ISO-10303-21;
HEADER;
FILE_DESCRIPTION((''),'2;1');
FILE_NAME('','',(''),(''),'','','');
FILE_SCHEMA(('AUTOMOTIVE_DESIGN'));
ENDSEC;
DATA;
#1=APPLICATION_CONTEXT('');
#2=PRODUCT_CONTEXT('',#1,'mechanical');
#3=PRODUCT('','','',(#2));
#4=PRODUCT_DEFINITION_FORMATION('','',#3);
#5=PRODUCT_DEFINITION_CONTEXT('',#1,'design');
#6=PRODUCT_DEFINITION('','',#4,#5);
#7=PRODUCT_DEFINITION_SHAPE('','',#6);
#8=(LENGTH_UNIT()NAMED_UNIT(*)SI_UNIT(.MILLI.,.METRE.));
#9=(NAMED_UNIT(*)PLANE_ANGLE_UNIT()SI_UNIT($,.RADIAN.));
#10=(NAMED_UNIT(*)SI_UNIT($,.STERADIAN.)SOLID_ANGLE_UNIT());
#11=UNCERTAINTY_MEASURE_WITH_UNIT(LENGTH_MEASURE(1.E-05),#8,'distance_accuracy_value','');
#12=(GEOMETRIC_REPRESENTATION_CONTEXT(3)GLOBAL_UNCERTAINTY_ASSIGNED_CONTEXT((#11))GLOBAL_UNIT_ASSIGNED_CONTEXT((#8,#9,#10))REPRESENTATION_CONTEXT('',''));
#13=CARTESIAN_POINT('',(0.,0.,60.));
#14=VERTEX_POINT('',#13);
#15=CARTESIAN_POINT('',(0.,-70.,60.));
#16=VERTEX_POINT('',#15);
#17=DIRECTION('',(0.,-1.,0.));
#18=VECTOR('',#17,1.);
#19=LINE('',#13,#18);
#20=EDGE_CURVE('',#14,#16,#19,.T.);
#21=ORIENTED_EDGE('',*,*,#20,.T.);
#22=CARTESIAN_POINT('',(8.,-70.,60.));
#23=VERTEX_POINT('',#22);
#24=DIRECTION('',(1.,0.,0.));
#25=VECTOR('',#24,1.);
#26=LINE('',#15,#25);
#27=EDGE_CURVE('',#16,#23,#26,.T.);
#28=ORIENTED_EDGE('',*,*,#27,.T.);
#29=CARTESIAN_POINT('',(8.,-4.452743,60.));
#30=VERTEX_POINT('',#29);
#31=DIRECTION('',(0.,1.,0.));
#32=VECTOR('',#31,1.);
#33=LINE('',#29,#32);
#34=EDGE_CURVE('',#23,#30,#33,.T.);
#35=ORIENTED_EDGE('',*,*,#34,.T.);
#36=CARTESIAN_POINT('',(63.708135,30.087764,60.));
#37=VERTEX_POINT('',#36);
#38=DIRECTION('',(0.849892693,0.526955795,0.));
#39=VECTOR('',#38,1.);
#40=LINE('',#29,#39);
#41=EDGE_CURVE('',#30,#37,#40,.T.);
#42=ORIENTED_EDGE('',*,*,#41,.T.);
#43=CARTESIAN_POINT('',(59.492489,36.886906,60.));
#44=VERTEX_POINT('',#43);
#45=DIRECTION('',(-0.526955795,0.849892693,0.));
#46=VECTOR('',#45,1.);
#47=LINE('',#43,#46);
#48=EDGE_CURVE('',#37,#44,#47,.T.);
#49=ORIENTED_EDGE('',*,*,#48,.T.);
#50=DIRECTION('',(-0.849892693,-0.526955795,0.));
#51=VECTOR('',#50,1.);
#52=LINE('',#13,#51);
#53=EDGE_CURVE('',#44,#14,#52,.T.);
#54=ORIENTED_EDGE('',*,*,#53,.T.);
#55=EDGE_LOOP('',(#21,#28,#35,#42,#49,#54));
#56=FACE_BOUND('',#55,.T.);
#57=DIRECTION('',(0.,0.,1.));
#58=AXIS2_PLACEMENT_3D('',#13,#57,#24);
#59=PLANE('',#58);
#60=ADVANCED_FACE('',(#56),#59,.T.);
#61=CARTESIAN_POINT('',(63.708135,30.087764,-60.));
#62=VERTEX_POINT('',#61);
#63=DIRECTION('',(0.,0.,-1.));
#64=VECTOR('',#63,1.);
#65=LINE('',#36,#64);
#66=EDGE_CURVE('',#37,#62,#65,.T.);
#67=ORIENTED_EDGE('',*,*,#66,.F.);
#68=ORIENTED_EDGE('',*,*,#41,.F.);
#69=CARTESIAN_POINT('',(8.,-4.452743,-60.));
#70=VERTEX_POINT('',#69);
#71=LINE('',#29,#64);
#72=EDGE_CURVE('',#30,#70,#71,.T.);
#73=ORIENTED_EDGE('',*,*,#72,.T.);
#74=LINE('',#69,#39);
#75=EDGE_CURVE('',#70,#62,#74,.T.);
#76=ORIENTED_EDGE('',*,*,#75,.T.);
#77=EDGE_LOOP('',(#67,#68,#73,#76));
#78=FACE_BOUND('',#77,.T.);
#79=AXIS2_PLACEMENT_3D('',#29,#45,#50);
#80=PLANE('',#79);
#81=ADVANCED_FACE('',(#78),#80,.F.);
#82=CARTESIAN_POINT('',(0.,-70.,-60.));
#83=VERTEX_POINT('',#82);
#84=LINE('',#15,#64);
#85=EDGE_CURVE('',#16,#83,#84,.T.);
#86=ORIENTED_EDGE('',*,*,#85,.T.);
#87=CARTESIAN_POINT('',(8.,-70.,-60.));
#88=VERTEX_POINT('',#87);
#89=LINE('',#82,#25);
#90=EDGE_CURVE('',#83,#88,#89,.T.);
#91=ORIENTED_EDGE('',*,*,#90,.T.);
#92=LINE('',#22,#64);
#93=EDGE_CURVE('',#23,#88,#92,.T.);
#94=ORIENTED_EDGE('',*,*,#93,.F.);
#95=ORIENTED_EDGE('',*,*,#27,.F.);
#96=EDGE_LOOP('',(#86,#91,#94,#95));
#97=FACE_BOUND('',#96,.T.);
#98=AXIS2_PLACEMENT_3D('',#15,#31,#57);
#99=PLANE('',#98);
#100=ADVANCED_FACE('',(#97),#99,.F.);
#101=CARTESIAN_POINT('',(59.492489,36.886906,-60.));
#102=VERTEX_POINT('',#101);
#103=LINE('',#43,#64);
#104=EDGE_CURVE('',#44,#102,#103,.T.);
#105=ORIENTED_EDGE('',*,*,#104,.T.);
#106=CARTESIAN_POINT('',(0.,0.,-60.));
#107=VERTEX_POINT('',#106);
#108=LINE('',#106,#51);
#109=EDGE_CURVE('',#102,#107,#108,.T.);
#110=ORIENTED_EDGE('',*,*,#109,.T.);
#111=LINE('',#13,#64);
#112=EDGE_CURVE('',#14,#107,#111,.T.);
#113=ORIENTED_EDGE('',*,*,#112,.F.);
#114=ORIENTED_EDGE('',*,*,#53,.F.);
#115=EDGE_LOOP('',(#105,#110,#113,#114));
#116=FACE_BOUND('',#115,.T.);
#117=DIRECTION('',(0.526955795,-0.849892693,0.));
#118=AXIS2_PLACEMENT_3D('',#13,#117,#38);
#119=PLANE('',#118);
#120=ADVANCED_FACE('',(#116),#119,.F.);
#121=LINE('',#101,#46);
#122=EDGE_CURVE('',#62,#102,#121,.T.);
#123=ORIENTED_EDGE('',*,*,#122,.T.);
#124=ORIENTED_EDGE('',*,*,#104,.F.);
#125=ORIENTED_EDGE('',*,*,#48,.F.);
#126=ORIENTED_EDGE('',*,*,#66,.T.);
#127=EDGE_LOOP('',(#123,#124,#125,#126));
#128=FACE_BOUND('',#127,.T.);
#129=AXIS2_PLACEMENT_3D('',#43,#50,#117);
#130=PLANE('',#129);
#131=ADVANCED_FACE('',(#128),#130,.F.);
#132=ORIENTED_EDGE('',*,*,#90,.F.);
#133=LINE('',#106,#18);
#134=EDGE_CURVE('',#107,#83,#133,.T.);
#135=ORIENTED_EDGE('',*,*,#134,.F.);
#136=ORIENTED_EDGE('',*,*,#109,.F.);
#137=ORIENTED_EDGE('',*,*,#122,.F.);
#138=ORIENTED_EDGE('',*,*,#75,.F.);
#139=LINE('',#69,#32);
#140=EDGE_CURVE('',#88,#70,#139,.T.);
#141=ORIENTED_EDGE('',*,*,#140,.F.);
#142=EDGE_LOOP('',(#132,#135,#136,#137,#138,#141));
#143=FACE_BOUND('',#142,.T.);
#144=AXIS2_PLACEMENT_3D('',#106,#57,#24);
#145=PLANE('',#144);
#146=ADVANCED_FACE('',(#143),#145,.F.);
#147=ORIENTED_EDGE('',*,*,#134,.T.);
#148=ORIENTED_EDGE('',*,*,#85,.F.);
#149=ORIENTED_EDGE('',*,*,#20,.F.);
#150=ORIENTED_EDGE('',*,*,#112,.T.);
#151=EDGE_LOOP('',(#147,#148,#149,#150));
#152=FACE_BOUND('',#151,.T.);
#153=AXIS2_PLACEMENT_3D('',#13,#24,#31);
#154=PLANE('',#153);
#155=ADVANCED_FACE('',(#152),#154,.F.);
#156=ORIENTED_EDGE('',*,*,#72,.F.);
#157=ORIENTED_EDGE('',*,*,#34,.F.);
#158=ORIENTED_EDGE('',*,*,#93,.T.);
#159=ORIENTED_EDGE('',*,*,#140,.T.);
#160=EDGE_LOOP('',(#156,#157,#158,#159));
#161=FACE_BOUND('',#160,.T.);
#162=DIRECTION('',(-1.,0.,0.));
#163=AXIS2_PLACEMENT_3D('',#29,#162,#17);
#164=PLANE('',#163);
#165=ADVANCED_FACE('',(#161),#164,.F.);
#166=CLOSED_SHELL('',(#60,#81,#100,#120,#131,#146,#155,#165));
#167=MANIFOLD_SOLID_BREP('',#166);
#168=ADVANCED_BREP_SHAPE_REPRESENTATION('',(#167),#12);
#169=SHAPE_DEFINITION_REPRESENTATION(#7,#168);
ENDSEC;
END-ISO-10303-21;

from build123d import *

# Parameters (mm, degrees)
BOSS_EXTRUDE1_DEPTH = 60


with BuildPart() as part:
    # Sketch1 → Boss-Extrude1 (new, symmetric)
    with BuildSketch(Plane.XY):
        Polygon((0, 0), (59.492488509, 36.886905685), (63.708134873, 30.087764141), (8, -4.452742878), (8, -70), (0, -70), align=None)
    extrude(amount=BOSS_EXTRUDE1_DEPTH, both=True)


solid = part.part
